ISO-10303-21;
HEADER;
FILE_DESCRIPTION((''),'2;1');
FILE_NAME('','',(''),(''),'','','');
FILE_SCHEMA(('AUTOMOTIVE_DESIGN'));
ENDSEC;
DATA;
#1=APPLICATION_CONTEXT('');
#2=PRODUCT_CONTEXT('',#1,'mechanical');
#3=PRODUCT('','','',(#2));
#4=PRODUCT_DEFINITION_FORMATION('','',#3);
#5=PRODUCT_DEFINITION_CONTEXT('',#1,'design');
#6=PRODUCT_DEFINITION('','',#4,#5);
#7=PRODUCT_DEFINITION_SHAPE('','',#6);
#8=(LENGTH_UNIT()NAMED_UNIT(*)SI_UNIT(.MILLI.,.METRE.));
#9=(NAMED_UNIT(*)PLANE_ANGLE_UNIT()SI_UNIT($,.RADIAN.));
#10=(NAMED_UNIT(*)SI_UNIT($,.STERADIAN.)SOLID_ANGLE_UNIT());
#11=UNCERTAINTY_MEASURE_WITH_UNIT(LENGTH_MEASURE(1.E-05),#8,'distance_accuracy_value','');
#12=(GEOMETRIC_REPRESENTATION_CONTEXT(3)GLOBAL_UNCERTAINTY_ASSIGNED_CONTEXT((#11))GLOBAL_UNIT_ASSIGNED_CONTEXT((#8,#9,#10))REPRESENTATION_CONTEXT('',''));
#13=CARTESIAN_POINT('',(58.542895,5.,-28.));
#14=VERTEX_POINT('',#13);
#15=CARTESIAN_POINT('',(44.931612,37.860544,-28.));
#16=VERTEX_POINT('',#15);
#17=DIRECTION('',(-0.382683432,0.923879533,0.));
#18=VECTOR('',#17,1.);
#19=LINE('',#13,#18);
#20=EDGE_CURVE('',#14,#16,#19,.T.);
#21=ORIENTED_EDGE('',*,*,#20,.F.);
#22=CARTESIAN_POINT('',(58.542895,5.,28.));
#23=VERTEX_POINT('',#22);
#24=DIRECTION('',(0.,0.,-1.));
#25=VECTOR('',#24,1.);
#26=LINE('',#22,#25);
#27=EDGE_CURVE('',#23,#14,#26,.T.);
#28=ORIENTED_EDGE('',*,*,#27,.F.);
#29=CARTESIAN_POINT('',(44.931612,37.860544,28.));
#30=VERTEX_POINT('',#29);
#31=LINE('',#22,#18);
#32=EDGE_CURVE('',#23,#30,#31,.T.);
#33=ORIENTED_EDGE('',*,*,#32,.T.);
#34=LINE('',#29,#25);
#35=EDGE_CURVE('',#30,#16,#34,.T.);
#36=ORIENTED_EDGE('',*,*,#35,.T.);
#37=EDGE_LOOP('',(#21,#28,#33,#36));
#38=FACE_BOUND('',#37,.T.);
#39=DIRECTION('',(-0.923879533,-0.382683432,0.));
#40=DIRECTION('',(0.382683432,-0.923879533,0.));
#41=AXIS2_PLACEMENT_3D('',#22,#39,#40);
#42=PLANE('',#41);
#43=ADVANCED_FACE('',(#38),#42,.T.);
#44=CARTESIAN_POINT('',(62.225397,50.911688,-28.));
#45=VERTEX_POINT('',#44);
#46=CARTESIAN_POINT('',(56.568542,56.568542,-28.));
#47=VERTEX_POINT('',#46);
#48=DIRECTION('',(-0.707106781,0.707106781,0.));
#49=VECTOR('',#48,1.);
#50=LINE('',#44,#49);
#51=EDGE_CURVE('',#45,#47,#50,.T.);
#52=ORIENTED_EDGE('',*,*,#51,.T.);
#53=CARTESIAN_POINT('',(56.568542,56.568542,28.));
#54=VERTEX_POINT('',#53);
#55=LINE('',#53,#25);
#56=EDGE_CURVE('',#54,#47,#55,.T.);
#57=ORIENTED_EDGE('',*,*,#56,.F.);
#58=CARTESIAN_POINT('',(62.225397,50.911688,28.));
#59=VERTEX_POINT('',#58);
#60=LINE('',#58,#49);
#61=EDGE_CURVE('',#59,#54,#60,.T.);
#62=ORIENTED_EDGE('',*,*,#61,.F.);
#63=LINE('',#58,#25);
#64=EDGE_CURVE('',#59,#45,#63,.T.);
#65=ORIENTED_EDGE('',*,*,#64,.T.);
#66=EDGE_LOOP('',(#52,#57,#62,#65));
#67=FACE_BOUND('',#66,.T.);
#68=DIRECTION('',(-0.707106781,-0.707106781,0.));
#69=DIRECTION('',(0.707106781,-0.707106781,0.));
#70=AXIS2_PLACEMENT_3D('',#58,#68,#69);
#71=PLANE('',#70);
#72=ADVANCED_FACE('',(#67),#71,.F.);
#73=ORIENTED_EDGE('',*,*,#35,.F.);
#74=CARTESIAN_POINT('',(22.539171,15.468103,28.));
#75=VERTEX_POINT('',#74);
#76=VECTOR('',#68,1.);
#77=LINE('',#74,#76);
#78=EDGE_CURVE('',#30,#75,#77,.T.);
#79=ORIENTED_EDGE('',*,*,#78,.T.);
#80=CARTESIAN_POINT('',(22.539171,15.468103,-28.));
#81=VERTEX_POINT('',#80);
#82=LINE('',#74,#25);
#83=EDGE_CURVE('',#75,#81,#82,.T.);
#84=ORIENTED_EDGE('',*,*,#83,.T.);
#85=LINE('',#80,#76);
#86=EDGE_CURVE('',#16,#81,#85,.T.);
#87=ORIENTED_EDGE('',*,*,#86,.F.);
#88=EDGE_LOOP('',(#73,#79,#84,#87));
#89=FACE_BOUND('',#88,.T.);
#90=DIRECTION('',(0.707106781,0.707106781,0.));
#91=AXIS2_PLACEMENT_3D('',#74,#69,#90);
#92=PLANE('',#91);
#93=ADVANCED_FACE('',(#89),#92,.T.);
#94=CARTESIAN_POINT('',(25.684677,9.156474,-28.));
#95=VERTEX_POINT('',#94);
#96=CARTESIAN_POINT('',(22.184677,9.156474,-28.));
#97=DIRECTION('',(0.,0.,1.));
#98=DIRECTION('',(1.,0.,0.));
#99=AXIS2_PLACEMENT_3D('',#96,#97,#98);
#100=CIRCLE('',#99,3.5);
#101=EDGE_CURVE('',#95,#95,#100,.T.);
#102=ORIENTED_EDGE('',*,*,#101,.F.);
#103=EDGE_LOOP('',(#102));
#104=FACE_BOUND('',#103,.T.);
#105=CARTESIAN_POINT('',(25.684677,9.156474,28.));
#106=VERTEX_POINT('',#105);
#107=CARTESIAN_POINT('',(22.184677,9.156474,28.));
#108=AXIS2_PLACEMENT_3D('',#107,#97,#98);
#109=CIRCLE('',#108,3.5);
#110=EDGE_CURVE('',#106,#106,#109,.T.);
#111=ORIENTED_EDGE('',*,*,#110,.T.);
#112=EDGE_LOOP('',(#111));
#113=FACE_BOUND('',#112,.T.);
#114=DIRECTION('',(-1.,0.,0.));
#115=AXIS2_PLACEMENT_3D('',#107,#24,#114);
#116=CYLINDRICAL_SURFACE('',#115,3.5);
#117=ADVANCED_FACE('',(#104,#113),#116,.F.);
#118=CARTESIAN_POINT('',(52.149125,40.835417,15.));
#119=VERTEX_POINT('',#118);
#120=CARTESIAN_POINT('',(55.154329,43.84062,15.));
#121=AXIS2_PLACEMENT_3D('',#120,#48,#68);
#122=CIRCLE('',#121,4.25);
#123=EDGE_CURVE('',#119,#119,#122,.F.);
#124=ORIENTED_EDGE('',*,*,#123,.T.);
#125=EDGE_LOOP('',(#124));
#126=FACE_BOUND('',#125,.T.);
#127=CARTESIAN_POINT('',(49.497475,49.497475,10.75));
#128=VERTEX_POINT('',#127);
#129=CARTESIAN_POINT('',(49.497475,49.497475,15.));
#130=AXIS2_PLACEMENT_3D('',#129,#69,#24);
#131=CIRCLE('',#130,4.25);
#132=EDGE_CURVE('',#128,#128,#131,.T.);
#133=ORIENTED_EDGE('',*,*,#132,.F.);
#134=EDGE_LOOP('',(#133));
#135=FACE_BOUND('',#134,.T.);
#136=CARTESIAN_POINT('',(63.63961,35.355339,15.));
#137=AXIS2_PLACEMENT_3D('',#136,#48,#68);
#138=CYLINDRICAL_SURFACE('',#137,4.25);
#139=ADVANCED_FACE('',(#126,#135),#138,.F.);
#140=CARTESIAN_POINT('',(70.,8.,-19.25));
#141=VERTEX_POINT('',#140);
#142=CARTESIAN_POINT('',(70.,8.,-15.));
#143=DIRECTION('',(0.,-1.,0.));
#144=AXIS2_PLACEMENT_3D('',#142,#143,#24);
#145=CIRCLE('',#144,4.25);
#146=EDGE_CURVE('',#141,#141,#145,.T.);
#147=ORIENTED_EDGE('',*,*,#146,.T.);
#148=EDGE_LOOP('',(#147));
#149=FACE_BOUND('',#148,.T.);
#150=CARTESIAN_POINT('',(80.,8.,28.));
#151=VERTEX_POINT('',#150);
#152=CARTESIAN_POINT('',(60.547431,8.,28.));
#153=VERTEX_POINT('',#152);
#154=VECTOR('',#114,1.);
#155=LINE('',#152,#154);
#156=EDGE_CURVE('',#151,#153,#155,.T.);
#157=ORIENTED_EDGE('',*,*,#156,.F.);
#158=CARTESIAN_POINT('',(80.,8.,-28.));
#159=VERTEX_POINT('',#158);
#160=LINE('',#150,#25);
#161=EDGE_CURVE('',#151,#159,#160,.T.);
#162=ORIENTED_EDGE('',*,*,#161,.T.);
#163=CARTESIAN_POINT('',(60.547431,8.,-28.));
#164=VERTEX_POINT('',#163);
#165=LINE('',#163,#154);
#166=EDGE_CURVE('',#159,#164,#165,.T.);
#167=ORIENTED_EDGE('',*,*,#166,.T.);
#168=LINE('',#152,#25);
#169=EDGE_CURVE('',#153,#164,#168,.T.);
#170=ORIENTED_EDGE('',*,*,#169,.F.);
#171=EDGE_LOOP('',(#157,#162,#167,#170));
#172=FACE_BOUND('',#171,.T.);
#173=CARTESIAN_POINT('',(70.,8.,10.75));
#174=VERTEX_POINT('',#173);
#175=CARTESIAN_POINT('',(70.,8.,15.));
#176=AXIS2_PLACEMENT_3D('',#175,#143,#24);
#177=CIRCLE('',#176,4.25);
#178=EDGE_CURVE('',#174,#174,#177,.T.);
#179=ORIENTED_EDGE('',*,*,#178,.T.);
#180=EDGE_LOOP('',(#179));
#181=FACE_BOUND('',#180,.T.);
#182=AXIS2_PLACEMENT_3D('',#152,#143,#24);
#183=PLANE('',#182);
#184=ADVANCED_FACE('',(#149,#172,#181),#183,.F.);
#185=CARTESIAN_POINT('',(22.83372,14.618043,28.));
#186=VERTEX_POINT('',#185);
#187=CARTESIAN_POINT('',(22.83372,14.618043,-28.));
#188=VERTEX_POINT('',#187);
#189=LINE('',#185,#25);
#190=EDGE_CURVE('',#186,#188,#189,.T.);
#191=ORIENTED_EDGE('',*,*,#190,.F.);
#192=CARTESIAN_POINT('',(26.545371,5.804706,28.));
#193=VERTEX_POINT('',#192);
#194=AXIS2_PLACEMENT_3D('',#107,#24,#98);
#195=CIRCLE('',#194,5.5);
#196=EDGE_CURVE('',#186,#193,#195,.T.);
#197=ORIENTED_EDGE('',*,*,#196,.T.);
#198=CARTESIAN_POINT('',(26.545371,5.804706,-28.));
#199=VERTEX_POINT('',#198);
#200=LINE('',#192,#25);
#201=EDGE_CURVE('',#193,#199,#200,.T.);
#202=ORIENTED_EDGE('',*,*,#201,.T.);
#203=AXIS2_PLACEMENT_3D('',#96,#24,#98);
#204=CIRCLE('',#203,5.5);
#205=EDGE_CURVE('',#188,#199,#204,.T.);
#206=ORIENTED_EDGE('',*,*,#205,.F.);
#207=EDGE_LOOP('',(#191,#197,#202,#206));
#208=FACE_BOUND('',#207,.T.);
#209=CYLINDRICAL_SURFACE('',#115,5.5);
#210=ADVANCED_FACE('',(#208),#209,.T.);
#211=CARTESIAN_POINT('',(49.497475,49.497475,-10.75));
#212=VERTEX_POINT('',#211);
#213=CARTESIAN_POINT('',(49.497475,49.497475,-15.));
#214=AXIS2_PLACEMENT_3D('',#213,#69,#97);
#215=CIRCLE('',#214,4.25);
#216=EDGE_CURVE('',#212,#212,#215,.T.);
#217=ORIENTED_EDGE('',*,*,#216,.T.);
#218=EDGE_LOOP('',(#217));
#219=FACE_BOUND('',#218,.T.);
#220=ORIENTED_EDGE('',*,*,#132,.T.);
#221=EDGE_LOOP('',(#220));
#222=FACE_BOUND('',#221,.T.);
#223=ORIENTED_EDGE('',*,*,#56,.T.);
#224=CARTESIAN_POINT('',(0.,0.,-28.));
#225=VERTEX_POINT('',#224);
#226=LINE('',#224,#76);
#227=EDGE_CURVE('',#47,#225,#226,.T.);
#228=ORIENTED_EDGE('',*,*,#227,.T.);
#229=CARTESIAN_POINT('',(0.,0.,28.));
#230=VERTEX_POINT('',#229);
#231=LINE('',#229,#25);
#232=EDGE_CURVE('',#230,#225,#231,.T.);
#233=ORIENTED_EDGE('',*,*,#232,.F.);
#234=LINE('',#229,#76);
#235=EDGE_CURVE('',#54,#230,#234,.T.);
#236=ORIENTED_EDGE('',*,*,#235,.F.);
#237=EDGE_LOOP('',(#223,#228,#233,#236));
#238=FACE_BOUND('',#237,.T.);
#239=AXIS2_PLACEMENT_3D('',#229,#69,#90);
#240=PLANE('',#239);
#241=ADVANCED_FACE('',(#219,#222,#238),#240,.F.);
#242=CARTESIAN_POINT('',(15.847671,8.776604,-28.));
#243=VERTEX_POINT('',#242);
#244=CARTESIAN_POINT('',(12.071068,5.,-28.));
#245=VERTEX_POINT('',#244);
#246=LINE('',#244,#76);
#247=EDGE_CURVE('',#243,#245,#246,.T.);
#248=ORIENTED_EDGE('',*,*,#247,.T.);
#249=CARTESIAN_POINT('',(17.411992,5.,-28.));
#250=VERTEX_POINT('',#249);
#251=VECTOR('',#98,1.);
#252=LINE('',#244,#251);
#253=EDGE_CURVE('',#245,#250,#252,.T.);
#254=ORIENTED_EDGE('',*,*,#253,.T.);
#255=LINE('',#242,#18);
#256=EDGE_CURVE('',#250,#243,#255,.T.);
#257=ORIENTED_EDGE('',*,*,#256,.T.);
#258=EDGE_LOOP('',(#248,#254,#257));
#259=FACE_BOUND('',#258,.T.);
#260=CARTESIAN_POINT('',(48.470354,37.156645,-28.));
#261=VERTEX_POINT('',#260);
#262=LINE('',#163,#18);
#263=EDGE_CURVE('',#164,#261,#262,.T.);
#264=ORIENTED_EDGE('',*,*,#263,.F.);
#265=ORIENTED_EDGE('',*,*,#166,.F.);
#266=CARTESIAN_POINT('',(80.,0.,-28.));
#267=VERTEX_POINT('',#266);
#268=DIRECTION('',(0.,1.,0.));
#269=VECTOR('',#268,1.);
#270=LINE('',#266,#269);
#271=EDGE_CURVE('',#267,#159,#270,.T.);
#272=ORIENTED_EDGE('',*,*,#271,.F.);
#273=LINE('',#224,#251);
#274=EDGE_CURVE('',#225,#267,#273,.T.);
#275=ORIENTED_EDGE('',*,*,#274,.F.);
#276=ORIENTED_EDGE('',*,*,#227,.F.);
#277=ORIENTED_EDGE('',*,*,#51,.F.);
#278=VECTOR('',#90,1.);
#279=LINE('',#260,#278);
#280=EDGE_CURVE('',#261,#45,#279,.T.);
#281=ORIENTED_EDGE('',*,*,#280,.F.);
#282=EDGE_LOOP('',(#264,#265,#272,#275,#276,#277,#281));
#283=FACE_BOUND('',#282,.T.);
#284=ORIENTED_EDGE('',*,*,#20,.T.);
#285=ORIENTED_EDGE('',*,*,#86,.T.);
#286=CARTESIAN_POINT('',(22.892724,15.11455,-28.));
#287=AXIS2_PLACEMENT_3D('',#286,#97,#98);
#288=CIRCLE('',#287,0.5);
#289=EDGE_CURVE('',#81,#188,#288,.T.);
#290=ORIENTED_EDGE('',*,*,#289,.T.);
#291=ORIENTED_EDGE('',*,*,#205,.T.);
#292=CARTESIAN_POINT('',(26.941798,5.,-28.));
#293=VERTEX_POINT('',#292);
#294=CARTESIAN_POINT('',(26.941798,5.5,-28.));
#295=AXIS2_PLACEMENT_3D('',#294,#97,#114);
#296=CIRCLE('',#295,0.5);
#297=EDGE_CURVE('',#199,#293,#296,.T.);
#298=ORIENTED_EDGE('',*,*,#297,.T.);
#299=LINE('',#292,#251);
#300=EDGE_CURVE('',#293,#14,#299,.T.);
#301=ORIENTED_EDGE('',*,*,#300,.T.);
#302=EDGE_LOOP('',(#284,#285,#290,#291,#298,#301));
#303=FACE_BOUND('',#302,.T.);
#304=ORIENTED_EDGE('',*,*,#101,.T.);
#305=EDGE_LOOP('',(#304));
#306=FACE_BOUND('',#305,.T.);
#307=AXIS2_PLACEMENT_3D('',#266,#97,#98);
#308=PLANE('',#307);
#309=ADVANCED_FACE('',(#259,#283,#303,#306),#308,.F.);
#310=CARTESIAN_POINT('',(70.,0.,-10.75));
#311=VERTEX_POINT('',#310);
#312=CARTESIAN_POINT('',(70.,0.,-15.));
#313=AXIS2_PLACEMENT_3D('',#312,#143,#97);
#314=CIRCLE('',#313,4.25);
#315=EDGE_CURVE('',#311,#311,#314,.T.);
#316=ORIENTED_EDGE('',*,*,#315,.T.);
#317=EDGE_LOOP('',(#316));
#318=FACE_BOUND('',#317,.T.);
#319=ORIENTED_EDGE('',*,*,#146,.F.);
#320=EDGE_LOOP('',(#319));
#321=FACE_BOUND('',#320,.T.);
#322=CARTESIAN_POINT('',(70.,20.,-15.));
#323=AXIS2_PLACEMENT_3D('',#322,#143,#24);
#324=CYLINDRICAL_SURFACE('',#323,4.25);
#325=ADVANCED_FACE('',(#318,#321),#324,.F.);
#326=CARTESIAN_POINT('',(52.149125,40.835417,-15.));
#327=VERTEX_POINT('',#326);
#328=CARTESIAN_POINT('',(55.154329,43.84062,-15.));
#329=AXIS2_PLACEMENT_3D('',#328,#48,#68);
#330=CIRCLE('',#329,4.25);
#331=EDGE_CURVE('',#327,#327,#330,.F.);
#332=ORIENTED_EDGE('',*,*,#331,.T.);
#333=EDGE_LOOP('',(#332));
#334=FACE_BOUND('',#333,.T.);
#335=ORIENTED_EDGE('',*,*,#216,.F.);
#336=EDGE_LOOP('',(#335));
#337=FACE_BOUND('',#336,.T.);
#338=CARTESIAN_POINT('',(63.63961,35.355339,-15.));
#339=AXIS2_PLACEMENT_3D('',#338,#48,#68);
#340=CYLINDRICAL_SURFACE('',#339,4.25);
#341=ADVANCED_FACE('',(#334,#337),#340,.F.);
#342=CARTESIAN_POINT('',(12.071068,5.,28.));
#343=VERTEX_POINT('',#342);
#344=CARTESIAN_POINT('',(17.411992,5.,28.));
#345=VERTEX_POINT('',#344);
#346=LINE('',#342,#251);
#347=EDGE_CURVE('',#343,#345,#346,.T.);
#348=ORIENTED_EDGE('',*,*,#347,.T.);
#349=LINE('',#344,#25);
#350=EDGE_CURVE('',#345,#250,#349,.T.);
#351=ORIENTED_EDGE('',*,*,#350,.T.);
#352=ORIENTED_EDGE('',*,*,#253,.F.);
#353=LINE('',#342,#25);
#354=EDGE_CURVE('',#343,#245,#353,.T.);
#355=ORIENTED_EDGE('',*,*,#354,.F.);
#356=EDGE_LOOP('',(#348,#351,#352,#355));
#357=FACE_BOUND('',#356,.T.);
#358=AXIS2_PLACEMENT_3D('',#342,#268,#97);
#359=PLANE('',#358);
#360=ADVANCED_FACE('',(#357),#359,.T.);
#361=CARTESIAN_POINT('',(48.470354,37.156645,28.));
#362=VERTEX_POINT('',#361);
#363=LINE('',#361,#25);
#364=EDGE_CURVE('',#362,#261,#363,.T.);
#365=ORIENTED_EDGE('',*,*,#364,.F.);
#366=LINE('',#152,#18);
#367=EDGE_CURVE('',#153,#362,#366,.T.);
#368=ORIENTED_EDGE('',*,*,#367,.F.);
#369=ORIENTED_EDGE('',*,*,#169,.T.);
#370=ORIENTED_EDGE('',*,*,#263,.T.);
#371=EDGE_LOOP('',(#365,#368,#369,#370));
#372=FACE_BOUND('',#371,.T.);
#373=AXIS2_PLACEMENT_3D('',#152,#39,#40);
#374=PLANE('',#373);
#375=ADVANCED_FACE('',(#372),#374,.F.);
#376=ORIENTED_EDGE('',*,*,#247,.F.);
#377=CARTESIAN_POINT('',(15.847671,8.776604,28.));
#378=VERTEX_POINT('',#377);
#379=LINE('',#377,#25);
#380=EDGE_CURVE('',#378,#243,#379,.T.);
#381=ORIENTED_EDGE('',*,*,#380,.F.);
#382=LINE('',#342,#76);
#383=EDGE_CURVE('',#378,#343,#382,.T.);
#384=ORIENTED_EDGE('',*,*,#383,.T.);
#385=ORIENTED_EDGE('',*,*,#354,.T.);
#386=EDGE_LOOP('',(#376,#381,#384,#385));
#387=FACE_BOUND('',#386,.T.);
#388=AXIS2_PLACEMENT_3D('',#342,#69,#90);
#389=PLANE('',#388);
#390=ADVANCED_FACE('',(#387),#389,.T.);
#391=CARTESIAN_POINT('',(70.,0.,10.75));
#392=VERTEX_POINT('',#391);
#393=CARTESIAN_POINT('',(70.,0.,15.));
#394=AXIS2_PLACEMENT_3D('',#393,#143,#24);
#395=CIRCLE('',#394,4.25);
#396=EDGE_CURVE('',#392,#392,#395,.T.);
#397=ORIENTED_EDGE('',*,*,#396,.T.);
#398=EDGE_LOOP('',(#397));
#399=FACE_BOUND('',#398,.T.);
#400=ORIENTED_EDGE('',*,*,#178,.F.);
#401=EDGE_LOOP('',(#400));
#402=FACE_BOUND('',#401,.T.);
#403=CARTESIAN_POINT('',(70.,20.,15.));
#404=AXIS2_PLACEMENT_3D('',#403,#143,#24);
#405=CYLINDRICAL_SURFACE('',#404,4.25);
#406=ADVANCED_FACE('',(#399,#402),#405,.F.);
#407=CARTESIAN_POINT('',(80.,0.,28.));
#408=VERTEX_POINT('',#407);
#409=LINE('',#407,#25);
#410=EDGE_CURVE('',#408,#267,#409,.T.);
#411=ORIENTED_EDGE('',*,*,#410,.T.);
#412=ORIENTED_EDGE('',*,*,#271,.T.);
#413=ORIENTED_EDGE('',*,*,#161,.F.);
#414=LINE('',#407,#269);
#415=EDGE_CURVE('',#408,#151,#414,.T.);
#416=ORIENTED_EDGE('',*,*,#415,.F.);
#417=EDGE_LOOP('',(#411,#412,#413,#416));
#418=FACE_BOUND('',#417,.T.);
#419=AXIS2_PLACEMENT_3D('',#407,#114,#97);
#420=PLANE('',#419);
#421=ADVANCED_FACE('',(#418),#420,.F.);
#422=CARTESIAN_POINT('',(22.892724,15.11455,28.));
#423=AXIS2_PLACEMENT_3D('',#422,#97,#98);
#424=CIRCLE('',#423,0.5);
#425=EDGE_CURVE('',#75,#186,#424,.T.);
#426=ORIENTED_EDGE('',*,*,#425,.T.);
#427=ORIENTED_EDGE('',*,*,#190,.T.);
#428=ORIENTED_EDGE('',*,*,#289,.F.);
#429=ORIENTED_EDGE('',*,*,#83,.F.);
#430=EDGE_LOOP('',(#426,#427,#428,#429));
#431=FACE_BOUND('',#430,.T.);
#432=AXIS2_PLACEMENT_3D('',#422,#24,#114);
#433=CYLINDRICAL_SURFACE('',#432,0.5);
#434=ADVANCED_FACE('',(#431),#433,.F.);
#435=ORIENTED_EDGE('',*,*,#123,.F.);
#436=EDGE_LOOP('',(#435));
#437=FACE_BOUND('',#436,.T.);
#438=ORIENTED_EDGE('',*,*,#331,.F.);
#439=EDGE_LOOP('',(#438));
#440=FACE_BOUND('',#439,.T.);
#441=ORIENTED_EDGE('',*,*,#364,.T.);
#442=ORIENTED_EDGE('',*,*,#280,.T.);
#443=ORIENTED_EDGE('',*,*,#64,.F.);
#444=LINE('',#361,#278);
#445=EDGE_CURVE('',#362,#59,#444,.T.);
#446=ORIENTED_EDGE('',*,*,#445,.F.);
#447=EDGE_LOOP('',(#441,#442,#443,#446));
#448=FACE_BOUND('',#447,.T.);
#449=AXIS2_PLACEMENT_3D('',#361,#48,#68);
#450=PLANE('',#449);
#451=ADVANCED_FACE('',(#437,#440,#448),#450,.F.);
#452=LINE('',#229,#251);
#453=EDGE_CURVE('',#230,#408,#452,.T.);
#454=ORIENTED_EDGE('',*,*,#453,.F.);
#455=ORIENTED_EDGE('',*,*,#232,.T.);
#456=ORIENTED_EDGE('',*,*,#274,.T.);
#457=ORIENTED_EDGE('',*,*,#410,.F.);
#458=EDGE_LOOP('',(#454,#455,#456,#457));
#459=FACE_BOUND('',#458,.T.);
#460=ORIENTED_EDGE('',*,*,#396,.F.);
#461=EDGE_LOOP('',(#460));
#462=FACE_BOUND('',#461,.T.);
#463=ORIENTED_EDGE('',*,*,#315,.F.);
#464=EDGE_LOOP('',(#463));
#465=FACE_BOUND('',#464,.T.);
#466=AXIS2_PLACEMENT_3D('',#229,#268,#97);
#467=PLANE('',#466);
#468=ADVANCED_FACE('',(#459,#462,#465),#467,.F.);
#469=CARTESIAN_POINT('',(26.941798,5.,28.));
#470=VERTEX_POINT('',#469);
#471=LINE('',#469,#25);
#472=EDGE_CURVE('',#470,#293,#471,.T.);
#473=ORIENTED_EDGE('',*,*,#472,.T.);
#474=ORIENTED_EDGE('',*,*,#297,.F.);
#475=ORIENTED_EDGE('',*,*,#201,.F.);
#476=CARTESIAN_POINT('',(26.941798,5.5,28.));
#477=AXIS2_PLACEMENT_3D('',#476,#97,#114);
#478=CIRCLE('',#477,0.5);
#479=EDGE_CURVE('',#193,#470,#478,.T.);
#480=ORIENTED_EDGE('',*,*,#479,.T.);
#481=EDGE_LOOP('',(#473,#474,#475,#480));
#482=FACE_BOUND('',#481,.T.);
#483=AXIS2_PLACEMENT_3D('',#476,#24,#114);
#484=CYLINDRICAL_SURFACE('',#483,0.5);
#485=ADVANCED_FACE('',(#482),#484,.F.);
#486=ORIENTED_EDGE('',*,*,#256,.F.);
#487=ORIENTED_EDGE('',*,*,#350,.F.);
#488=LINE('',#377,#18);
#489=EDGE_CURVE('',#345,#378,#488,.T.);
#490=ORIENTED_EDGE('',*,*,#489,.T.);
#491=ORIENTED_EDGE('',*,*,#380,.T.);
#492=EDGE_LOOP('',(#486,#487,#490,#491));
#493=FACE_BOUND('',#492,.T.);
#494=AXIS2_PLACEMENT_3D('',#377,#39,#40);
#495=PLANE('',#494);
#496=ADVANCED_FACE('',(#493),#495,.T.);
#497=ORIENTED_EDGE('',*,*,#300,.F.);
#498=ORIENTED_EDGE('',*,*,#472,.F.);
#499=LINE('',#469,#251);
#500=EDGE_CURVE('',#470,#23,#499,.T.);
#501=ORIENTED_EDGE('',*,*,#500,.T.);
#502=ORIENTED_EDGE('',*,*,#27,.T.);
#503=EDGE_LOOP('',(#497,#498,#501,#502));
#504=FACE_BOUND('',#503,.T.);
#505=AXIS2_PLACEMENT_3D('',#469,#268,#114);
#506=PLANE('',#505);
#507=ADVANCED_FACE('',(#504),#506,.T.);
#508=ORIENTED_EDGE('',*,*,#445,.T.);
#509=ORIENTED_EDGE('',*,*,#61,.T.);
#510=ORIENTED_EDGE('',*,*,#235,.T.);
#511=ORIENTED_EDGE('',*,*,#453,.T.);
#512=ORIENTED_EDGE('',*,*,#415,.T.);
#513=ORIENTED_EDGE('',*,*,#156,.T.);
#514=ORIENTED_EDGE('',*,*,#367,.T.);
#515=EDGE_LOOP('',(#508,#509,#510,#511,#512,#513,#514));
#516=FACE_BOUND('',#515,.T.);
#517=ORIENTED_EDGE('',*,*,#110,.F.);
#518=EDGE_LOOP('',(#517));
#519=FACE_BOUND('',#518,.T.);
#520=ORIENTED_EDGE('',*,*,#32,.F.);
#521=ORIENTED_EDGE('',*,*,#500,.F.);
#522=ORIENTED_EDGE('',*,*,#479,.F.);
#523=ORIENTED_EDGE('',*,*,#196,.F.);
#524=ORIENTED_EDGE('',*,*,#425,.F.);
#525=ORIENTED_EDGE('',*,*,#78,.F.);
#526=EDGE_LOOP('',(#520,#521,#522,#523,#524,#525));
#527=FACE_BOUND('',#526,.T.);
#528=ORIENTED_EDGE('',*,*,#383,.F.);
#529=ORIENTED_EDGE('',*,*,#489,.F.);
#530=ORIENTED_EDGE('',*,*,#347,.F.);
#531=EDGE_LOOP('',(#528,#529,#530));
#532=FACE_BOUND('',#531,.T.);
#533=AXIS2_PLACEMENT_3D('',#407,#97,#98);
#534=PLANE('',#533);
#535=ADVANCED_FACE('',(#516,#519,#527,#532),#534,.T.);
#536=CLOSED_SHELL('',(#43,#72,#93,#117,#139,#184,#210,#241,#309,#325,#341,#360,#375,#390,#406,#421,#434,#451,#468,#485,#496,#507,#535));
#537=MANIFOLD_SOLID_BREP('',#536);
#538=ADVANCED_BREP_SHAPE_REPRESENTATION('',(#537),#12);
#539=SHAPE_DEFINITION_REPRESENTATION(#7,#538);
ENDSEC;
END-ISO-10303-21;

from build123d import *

# Parameters (mm, degrees)
SKETCH_1_R          = 3.5
EXTRUDE_1_DEPTH     = 28
SKETCH_3_R          = 4.25
CUT_EXTRUDE_2_DEPTH = 20


with BuildPart() as part:
    # 草图1 → 凸台-拉伸1 (new, symmetric)
    with BuildSketch(Plane.XY):
        Polygon((0, 0), (56.568542495, 56.568542495), (62.225396744, 50.911688245), (48.470353518, 37.156645019), (60.547431318, 8), (80, 8), (80, 0), align=None)
        with Locations((22.184677187, 9.156473773)):
            Circle(SKETCH_1_R, mode=Mode.SUBTRACT)
        Polygon((12.071067812, 5), (15.847671377, 8.776603565), (17.411991793, 5), align=None, mode=Mode.SUBTRACT)
        with BuildLine():
            Line((22.539170943, 15.468103131), (44.931612237, 37.860544425))
            Line((44.931612237, 37.860544425), (58.542895405, 5))
            Line((58.542895405, 5), (26.941798117, 5))
            ThreePointArc((26.941798117, 5), (26.493271042, 5.27903968), (26.545371373, 5.804706148))
            ThreePointArc((26.545371373, 5.804706148), (27.253512915, 11.291164467), (22.833720405, 14.61804341))
            ThreePointArc((22.833720405, 14.61804341), (22.420282519, 14.950846558), (22.539170943, 15.468103131))
        make_face(mode=Mode.SUBTRACT)
    extrude(amount=EXTRUDE_1_DEPTH, both=True)

    # 草图3 → 切除-拉伸2 (cut)
    with BuildSketch(Plane.XZ):
        with Locations(Location((70, 15, 0), (0, 0, 270))):
            Circle(SKETCH_3_R)
        with Locations(Location((70, -15, 0), (0, 0, 270))):
            Circle(SKETCH_3_R)
    cut_extrude_2 = extrude(amount=-CUT_EXTRUDE_2_DEPTH, mode=Mode.SUBTRACT)

    # 镜向1: 切除-拉伸2 across plane
    add(cut_extrude_2.mirror(Plane(origin=(0, 0, 0), x_dir=(0, 0, 1), z_dir=(0.3826834323650904, -0.9238795325112865, 0))), mode=Mode.SUBTRACT)


solid = part.part
